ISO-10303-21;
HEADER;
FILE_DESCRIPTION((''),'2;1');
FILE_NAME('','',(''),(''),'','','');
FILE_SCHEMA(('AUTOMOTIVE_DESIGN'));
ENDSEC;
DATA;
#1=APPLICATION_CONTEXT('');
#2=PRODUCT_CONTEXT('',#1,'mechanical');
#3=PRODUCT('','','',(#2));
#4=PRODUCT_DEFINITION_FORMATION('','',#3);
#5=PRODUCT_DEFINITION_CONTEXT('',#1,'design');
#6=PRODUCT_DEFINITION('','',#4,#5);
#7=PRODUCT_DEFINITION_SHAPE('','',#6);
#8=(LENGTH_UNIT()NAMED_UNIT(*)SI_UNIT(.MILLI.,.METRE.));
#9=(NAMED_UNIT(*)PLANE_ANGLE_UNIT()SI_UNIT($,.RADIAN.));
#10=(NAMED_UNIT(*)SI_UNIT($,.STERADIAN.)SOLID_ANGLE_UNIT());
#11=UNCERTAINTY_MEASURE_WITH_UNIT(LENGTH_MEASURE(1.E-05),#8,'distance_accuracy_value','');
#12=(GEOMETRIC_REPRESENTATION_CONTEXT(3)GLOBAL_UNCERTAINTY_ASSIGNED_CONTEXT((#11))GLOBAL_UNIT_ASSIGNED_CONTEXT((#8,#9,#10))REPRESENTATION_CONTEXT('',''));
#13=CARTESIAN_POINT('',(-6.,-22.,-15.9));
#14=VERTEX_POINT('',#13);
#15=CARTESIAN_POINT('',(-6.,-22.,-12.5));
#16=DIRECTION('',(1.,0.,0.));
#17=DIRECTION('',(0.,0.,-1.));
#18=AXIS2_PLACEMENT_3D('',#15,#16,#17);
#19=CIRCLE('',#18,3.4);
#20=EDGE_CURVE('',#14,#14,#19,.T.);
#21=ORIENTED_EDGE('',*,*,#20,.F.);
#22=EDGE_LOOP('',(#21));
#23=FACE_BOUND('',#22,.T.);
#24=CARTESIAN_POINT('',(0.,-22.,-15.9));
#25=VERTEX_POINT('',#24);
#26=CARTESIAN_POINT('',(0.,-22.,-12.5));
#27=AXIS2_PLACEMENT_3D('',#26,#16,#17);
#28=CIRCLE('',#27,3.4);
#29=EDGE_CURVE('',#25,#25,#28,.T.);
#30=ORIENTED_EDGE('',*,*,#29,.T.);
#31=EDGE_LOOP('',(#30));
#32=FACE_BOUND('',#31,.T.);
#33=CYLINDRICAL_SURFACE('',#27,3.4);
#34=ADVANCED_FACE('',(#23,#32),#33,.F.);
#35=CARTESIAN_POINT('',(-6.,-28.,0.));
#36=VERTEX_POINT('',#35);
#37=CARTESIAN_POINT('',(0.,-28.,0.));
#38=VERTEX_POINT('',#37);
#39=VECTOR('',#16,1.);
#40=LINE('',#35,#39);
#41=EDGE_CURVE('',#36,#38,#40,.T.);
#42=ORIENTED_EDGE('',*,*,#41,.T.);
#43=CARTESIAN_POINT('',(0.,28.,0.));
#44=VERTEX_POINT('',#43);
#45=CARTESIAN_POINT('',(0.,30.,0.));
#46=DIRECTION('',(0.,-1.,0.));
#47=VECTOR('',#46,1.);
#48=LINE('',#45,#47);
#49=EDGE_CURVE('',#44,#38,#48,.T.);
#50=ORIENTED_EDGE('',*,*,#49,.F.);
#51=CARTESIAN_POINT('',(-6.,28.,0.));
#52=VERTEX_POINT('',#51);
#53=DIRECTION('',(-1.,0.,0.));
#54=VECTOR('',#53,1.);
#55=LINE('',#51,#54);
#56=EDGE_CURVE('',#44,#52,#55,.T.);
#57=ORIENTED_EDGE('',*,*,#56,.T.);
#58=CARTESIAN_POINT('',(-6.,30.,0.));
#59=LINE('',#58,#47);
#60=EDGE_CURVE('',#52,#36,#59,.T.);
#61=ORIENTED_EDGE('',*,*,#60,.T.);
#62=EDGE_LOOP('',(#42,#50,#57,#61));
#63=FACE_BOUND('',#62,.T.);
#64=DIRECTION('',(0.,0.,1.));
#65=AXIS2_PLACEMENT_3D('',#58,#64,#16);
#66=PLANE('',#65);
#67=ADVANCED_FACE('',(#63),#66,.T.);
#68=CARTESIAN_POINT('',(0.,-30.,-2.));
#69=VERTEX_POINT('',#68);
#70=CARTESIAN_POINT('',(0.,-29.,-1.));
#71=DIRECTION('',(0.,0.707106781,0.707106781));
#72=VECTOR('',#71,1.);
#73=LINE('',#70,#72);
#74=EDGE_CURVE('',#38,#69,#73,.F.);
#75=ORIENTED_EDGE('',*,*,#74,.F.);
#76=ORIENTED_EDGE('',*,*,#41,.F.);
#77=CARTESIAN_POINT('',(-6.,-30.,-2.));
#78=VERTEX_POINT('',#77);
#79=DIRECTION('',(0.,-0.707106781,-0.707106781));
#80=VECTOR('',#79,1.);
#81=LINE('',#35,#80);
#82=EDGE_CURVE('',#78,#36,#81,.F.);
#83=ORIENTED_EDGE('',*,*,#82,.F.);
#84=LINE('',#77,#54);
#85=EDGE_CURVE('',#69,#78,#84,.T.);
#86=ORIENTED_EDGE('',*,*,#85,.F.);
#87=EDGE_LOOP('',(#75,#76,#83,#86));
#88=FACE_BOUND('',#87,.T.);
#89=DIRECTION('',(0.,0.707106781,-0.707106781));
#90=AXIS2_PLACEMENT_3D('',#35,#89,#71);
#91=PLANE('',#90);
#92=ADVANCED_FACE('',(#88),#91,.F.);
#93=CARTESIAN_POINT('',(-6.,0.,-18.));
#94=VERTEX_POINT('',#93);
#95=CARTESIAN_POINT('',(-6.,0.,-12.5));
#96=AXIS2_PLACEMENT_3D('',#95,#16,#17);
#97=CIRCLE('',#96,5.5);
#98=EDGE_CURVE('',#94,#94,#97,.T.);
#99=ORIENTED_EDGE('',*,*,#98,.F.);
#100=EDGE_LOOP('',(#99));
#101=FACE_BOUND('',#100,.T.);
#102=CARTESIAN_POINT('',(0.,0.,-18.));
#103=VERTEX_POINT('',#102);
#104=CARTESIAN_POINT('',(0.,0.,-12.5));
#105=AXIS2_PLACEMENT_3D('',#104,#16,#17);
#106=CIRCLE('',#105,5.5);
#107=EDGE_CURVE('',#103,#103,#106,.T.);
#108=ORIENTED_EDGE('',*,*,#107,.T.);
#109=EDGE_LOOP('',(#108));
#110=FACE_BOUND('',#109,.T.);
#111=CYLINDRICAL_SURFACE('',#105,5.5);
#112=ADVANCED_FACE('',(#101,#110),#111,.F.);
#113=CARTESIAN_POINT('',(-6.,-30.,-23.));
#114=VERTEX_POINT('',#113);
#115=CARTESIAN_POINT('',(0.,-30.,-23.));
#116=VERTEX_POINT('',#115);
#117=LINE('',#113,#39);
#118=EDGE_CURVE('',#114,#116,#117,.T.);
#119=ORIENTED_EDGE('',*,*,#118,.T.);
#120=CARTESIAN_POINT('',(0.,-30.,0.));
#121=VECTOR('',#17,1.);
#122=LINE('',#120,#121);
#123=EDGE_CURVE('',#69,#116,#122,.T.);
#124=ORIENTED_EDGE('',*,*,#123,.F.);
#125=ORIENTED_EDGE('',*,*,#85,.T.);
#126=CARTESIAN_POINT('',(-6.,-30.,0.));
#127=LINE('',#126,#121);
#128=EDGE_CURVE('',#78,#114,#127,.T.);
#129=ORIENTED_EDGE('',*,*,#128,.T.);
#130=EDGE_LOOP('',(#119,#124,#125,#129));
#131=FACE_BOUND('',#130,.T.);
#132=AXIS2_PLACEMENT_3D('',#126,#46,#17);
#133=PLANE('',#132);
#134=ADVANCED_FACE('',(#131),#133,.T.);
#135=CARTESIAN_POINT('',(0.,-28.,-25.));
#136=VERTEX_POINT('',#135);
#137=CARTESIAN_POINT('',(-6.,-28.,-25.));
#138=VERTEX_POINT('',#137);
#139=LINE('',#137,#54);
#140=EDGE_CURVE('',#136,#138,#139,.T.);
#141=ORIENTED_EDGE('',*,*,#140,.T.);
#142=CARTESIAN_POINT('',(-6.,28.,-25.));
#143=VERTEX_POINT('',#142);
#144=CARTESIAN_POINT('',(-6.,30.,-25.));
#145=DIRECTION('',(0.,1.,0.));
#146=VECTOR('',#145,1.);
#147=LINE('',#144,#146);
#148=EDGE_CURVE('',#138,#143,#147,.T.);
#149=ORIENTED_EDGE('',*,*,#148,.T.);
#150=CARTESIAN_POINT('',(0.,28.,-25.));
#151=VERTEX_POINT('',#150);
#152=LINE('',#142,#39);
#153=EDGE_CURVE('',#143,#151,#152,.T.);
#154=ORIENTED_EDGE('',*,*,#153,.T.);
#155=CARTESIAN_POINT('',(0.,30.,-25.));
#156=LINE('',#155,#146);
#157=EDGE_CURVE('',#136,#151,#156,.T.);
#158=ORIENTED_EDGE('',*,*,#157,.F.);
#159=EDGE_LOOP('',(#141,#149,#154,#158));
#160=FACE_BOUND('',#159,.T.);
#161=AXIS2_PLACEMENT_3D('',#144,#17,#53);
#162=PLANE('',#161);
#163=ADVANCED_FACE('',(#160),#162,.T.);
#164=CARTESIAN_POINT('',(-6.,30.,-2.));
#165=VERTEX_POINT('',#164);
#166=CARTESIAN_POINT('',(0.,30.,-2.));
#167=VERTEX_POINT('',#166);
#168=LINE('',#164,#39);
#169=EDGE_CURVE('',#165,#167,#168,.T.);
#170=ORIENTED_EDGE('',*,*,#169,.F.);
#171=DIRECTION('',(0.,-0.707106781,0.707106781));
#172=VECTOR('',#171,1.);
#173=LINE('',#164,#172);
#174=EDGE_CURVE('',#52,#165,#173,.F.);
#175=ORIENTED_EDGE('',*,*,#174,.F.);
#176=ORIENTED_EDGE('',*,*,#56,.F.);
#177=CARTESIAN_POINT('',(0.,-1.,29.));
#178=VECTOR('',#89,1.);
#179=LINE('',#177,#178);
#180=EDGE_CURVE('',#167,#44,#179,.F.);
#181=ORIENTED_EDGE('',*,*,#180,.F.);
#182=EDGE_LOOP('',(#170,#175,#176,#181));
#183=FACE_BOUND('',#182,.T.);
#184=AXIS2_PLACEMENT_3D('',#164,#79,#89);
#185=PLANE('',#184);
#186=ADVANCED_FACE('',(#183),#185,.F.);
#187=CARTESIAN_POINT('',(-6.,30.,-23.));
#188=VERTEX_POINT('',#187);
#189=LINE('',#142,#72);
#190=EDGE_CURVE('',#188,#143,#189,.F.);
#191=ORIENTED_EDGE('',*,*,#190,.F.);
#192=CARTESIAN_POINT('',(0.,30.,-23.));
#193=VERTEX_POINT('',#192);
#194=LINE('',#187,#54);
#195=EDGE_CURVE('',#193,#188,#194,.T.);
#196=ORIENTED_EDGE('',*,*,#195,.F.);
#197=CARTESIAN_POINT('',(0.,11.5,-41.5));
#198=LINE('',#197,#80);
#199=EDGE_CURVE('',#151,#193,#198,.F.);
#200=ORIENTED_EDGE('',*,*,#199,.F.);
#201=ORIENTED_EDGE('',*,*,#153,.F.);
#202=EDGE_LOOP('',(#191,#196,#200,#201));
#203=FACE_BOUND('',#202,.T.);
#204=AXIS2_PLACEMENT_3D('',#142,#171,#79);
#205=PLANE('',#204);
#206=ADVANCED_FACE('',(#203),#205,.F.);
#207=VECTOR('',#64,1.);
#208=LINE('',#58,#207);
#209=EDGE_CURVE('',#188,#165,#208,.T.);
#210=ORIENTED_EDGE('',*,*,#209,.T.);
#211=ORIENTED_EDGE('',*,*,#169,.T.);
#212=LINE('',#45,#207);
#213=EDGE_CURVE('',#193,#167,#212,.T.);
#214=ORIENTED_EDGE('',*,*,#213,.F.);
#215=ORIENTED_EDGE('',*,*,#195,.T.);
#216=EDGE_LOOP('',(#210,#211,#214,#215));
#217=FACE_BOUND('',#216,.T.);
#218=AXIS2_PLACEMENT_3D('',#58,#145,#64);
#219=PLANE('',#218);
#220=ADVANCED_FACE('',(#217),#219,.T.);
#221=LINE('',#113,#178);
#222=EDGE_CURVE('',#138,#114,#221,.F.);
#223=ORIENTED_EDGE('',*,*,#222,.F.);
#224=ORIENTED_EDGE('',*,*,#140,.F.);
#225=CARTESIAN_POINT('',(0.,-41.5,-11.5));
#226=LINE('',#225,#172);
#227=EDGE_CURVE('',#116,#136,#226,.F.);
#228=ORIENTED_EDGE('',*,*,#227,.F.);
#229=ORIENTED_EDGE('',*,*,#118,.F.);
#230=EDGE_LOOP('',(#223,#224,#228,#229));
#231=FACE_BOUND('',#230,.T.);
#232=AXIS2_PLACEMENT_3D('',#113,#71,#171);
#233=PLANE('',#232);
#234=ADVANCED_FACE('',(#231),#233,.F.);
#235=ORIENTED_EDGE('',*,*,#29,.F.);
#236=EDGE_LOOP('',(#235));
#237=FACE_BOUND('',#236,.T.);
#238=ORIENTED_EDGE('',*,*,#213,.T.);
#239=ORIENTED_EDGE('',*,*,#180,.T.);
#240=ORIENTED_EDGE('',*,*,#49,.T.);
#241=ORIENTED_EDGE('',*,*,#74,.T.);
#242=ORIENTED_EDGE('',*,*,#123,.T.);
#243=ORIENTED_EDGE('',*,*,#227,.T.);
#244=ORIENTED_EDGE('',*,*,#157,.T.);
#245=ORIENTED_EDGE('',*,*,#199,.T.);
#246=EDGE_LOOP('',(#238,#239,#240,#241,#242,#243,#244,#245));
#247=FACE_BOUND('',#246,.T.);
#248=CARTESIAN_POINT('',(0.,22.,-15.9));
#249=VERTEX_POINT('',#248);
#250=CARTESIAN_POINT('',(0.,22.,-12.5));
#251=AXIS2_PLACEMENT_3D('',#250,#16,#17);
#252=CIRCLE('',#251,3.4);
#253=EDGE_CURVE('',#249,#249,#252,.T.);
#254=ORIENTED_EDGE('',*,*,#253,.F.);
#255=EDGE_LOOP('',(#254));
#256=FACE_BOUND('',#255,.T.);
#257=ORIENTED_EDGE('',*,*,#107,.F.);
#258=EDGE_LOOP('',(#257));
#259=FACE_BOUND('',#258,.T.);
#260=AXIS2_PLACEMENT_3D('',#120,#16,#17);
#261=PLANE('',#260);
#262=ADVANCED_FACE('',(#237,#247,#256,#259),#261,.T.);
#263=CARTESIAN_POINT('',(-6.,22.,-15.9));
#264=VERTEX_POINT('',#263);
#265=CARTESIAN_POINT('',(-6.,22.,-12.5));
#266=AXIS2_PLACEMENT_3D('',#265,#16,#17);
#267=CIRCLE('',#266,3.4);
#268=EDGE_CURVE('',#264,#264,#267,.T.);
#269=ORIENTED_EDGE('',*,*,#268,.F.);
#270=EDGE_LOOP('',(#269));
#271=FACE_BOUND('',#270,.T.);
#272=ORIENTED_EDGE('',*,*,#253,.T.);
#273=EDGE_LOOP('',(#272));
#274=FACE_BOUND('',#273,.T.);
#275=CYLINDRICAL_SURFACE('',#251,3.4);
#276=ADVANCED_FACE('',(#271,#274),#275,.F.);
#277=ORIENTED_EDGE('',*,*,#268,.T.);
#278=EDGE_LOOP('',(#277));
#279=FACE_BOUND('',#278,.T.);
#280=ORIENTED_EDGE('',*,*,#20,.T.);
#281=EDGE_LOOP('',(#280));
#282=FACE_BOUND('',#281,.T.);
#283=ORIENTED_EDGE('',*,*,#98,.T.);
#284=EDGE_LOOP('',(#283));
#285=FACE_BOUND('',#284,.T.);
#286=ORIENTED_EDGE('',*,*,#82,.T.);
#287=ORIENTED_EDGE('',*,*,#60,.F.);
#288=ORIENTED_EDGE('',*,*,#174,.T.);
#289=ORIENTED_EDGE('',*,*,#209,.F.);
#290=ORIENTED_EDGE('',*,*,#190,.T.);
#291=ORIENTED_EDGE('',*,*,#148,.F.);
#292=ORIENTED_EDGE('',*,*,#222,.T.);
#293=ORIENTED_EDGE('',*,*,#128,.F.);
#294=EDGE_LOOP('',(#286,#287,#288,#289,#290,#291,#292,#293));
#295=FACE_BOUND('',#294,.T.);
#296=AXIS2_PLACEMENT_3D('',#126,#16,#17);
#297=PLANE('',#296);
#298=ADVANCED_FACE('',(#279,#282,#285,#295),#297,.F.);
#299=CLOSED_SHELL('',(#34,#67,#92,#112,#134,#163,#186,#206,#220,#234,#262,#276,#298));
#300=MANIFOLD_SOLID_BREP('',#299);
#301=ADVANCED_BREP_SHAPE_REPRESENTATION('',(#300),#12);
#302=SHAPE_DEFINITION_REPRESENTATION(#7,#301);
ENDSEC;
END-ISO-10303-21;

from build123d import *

# Parameters (mm, degrees)
SKETCH1_W                  = 25
SKETCH1_H                  = 60
BOSS_EXTRUDE1_DEPTH        = 6
F_11_0_11_DIAMETER_HOLE1_D = 11
M8X1_25_TAPPED_HOLE1_D     = 6.8
CHAMFER1_SIZE              = 2


with BuildPart() as part:
    # Sketch1 → Boss-Extrude1 (new body)
    with BuildSketch(Plane(origin=(0, 0, 0), x_dir=(0, 0, -1), z_dir=(1, 0, 0))):
        with Locations((12.5, 0)):
            Rectangle(SKETCH1_W, SKETCH1_H)
    extrude(amount=-BOSS_EXTRUDE1_DEPTH)

    # Ø11.0 (11) Diameter Hole1 (through all)
    with Locations(Plane(origin=(0, 0, 0), x_dir=(0, 0, -1), z_dir=(1, 0, 0))):
        with Locations((12.5, 0)):
            Hole(F_11_0_11_DIAMETER_HOLE1_D / 2)

    # M8x1.25 Tapped Hole1 (through all)
    with Locations(Plane(origin=(0, 0, 0), x_dir=(0, 0, -1), z_dir=(1, 0, 0))):
        with Locations((12.5, 22), (12.5, -22)):
            Hole(M8X1_25_TAPPED_HOLE1_D / 2)

    # Chamfer1
    chamfer1_edges = [part.edges().sort_by_distance(p)[0] for p in [
        (-3, 30, 0),
        (-3, 30, -25),
        (-3, -30, -25),
        (-3, -30, 0),
    ]]
    chamfer(chamfer1_edges, length=CHAMFER1_SIZE)


solid = part.part
